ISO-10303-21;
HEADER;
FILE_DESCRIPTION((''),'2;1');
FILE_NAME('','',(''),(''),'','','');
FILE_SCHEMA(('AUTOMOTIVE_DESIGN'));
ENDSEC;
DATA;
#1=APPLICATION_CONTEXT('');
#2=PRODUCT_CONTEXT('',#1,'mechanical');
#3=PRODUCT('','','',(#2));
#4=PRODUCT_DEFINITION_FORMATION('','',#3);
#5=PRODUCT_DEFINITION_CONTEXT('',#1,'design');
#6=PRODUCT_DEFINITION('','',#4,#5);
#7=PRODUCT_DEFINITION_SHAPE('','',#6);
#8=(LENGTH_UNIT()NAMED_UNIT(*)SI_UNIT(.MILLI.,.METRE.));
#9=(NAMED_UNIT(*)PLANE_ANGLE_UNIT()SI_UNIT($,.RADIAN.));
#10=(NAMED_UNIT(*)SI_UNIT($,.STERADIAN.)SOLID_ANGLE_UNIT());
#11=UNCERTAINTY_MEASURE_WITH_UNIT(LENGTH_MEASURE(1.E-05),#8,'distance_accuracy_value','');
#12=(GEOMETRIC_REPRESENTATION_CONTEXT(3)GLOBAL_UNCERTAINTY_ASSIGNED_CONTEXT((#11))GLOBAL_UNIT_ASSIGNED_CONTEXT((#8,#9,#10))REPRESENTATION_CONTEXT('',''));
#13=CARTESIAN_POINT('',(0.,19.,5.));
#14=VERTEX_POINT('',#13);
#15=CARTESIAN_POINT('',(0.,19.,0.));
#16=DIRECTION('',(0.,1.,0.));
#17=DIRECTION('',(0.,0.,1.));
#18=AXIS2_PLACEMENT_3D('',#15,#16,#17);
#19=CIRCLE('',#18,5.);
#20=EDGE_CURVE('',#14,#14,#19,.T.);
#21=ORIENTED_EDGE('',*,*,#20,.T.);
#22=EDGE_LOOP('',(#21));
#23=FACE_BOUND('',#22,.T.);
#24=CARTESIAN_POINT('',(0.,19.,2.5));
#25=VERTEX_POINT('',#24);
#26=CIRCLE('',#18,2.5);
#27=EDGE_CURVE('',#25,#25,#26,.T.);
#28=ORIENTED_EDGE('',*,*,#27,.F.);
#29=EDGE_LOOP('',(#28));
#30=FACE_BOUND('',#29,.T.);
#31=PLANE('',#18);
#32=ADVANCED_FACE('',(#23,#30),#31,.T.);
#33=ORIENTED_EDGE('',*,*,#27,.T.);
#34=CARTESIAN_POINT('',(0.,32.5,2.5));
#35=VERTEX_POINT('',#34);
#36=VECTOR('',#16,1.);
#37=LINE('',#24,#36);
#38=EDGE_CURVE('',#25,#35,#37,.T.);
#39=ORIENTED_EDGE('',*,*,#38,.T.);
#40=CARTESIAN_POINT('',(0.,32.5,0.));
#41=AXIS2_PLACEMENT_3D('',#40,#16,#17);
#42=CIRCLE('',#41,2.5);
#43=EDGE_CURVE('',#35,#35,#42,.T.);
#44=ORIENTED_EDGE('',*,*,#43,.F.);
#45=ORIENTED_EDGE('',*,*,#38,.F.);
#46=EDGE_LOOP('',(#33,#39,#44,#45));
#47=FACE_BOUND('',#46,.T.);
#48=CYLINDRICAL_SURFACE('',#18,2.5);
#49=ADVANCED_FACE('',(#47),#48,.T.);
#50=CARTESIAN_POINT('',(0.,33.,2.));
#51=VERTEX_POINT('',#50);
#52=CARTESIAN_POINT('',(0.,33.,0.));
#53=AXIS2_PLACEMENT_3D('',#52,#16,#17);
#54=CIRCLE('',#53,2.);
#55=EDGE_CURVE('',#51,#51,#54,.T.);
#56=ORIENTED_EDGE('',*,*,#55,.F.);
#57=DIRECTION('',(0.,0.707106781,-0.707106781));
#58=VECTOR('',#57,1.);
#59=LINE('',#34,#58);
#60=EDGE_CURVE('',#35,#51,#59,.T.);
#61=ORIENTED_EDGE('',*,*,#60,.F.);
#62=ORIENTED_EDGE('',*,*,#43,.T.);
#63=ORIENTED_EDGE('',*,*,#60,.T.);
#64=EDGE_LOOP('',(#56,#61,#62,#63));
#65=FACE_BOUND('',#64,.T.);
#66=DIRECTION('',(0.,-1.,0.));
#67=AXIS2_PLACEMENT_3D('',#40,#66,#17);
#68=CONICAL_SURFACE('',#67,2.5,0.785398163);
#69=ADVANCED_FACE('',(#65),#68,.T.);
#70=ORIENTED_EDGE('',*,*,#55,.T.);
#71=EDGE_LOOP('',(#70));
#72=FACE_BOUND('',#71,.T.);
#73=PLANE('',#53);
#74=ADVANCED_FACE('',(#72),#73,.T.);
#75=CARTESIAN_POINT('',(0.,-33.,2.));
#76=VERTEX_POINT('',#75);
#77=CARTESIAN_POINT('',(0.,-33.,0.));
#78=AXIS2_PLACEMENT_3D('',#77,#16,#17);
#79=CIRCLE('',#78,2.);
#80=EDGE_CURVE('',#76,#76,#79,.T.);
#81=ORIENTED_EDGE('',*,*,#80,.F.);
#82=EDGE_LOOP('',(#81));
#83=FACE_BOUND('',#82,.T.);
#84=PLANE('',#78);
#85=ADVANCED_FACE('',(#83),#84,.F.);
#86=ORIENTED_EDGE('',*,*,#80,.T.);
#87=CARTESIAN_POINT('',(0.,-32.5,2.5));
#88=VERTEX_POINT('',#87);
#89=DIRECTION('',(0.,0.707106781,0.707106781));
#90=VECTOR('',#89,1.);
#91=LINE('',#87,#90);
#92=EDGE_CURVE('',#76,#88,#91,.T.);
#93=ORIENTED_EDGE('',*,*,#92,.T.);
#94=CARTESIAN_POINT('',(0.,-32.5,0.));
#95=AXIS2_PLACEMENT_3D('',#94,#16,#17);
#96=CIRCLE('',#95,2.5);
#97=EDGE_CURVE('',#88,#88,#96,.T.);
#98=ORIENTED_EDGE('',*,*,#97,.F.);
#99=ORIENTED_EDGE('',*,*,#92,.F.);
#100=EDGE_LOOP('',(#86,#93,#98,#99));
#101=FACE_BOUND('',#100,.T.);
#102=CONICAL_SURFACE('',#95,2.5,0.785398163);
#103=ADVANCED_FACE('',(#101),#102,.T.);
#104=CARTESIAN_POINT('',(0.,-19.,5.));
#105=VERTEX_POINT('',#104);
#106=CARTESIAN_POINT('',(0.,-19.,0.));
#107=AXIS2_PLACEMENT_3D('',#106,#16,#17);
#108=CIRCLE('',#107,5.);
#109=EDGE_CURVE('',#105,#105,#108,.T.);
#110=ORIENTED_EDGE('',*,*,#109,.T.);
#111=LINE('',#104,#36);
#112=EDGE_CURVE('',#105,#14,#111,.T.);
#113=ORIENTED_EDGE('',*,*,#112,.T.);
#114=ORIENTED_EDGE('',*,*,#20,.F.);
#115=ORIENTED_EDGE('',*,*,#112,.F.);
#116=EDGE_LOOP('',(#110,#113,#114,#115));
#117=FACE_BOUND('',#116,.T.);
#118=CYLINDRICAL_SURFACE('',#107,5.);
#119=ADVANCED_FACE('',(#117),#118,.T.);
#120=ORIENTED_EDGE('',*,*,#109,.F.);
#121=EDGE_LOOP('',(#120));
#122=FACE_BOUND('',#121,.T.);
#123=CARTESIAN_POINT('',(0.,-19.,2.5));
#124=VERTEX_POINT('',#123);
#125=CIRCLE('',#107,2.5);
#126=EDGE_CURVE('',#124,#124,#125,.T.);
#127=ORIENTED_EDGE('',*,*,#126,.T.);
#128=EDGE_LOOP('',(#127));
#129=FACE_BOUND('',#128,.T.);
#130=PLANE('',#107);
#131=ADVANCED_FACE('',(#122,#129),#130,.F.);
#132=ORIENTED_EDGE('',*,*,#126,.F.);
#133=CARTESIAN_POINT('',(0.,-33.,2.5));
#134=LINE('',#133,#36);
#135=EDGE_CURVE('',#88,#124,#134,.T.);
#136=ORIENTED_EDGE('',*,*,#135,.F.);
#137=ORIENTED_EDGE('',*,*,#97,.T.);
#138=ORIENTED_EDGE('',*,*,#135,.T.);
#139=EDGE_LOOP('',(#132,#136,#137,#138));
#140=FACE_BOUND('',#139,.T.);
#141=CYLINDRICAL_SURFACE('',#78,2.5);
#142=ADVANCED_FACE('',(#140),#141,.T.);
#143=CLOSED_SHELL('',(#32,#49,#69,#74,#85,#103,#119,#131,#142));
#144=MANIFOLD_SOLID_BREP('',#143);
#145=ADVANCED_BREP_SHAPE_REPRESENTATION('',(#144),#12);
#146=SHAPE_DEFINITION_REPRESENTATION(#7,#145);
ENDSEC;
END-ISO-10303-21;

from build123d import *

# Parameters (mm, degrees)
CHAMFER_SIZE = 0.5


with BuildPart() as part:
    # Sketch → Revolution (revolve)
    with BuildSketch(Plane.YZ):
        Polygon((-33, 0), (-33, 2.5), (-19, 2.5), (-19, 5), (19, 5), (19, 2.5), (33, 2.5), (33, 0), align=None)
    revolve(axis=Axis((0, 0, 0), (0, 1, 0)))

    # Chamfer
    chamfer_edges = [part.edges().sort_by_distance(p)[0] for p in [
        (0, 33, -2.5),
        (0, -33, -2.5),
    ]]
    chamfer(chamfer_edges, length=CHAMFER_SIZE)


solid = part.part
